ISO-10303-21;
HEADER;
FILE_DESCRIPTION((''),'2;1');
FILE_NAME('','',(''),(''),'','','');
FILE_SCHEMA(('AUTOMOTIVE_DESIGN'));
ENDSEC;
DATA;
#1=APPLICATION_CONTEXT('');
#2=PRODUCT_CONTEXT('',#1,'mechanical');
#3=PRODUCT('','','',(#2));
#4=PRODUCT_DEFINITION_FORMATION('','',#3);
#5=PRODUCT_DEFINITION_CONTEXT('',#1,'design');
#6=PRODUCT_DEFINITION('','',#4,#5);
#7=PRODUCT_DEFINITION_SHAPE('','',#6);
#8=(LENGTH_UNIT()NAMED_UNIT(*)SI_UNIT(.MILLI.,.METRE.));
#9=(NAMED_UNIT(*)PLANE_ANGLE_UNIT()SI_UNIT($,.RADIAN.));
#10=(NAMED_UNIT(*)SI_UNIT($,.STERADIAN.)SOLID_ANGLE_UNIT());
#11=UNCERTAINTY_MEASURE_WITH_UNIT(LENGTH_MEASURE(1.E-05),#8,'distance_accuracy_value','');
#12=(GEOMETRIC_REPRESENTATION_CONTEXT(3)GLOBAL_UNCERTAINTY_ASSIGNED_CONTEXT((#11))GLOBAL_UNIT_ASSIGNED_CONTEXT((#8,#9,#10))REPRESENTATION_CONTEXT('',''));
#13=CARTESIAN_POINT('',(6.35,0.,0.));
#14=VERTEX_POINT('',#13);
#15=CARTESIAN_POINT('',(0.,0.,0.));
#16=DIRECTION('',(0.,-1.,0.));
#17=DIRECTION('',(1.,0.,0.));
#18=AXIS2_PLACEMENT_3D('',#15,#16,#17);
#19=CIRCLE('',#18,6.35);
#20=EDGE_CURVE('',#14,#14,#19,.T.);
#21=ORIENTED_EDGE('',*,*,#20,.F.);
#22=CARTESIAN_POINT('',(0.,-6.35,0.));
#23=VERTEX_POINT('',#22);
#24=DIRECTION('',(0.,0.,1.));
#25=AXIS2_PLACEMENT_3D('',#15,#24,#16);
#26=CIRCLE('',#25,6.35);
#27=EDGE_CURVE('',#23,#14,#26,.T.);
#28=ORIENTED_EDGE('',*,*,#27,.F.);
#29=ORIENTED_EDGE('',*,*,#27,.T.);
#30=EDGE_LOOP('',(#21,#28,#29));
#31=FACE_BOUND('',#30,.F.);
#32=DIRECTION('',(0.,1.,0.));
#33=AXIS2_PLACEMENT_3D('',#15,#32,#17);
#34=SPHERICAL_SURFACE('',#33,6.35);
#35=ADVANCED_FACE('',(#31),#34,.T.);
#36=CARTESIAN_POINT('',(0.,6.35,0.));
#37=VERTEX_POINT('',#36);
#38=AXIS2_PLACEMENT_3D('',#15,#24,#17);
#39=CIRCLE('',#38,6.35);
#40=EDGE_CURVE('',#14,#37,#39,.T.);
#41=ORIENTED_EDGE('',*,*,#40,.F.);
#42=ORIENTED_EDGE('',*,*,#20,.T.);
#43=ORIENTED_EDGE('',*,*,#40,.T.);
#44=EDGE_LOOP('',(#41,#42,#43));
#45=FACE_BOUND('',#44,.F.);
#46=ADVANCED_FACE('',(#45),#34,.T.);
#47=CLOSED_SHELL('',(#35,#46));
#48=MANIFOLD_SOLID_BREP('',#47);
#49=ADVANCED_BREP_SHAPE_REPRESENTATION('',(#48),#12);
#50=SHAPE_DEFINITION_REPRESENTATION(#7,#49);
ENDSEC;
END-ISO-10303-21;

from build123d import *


with BuildPart() as part:
    # Sketch1 one side → Revolve1 (revolve)
    with BuildSketch(Plane.XY):
        with BuildLine():
            ThreePointArc((0, -6.35), (4.490128061, -4.490128061), (6.35, 0))
            ThreePointArc((6.35, 0), (4.490128061, 4.490128061), (0, 6.35))
            Line((0, 6.35), (0, -6.35))
        make_face()
    revolve(axis=Axis((0, 6.35, 0), (0, -1, 0)))


solid = part.part
